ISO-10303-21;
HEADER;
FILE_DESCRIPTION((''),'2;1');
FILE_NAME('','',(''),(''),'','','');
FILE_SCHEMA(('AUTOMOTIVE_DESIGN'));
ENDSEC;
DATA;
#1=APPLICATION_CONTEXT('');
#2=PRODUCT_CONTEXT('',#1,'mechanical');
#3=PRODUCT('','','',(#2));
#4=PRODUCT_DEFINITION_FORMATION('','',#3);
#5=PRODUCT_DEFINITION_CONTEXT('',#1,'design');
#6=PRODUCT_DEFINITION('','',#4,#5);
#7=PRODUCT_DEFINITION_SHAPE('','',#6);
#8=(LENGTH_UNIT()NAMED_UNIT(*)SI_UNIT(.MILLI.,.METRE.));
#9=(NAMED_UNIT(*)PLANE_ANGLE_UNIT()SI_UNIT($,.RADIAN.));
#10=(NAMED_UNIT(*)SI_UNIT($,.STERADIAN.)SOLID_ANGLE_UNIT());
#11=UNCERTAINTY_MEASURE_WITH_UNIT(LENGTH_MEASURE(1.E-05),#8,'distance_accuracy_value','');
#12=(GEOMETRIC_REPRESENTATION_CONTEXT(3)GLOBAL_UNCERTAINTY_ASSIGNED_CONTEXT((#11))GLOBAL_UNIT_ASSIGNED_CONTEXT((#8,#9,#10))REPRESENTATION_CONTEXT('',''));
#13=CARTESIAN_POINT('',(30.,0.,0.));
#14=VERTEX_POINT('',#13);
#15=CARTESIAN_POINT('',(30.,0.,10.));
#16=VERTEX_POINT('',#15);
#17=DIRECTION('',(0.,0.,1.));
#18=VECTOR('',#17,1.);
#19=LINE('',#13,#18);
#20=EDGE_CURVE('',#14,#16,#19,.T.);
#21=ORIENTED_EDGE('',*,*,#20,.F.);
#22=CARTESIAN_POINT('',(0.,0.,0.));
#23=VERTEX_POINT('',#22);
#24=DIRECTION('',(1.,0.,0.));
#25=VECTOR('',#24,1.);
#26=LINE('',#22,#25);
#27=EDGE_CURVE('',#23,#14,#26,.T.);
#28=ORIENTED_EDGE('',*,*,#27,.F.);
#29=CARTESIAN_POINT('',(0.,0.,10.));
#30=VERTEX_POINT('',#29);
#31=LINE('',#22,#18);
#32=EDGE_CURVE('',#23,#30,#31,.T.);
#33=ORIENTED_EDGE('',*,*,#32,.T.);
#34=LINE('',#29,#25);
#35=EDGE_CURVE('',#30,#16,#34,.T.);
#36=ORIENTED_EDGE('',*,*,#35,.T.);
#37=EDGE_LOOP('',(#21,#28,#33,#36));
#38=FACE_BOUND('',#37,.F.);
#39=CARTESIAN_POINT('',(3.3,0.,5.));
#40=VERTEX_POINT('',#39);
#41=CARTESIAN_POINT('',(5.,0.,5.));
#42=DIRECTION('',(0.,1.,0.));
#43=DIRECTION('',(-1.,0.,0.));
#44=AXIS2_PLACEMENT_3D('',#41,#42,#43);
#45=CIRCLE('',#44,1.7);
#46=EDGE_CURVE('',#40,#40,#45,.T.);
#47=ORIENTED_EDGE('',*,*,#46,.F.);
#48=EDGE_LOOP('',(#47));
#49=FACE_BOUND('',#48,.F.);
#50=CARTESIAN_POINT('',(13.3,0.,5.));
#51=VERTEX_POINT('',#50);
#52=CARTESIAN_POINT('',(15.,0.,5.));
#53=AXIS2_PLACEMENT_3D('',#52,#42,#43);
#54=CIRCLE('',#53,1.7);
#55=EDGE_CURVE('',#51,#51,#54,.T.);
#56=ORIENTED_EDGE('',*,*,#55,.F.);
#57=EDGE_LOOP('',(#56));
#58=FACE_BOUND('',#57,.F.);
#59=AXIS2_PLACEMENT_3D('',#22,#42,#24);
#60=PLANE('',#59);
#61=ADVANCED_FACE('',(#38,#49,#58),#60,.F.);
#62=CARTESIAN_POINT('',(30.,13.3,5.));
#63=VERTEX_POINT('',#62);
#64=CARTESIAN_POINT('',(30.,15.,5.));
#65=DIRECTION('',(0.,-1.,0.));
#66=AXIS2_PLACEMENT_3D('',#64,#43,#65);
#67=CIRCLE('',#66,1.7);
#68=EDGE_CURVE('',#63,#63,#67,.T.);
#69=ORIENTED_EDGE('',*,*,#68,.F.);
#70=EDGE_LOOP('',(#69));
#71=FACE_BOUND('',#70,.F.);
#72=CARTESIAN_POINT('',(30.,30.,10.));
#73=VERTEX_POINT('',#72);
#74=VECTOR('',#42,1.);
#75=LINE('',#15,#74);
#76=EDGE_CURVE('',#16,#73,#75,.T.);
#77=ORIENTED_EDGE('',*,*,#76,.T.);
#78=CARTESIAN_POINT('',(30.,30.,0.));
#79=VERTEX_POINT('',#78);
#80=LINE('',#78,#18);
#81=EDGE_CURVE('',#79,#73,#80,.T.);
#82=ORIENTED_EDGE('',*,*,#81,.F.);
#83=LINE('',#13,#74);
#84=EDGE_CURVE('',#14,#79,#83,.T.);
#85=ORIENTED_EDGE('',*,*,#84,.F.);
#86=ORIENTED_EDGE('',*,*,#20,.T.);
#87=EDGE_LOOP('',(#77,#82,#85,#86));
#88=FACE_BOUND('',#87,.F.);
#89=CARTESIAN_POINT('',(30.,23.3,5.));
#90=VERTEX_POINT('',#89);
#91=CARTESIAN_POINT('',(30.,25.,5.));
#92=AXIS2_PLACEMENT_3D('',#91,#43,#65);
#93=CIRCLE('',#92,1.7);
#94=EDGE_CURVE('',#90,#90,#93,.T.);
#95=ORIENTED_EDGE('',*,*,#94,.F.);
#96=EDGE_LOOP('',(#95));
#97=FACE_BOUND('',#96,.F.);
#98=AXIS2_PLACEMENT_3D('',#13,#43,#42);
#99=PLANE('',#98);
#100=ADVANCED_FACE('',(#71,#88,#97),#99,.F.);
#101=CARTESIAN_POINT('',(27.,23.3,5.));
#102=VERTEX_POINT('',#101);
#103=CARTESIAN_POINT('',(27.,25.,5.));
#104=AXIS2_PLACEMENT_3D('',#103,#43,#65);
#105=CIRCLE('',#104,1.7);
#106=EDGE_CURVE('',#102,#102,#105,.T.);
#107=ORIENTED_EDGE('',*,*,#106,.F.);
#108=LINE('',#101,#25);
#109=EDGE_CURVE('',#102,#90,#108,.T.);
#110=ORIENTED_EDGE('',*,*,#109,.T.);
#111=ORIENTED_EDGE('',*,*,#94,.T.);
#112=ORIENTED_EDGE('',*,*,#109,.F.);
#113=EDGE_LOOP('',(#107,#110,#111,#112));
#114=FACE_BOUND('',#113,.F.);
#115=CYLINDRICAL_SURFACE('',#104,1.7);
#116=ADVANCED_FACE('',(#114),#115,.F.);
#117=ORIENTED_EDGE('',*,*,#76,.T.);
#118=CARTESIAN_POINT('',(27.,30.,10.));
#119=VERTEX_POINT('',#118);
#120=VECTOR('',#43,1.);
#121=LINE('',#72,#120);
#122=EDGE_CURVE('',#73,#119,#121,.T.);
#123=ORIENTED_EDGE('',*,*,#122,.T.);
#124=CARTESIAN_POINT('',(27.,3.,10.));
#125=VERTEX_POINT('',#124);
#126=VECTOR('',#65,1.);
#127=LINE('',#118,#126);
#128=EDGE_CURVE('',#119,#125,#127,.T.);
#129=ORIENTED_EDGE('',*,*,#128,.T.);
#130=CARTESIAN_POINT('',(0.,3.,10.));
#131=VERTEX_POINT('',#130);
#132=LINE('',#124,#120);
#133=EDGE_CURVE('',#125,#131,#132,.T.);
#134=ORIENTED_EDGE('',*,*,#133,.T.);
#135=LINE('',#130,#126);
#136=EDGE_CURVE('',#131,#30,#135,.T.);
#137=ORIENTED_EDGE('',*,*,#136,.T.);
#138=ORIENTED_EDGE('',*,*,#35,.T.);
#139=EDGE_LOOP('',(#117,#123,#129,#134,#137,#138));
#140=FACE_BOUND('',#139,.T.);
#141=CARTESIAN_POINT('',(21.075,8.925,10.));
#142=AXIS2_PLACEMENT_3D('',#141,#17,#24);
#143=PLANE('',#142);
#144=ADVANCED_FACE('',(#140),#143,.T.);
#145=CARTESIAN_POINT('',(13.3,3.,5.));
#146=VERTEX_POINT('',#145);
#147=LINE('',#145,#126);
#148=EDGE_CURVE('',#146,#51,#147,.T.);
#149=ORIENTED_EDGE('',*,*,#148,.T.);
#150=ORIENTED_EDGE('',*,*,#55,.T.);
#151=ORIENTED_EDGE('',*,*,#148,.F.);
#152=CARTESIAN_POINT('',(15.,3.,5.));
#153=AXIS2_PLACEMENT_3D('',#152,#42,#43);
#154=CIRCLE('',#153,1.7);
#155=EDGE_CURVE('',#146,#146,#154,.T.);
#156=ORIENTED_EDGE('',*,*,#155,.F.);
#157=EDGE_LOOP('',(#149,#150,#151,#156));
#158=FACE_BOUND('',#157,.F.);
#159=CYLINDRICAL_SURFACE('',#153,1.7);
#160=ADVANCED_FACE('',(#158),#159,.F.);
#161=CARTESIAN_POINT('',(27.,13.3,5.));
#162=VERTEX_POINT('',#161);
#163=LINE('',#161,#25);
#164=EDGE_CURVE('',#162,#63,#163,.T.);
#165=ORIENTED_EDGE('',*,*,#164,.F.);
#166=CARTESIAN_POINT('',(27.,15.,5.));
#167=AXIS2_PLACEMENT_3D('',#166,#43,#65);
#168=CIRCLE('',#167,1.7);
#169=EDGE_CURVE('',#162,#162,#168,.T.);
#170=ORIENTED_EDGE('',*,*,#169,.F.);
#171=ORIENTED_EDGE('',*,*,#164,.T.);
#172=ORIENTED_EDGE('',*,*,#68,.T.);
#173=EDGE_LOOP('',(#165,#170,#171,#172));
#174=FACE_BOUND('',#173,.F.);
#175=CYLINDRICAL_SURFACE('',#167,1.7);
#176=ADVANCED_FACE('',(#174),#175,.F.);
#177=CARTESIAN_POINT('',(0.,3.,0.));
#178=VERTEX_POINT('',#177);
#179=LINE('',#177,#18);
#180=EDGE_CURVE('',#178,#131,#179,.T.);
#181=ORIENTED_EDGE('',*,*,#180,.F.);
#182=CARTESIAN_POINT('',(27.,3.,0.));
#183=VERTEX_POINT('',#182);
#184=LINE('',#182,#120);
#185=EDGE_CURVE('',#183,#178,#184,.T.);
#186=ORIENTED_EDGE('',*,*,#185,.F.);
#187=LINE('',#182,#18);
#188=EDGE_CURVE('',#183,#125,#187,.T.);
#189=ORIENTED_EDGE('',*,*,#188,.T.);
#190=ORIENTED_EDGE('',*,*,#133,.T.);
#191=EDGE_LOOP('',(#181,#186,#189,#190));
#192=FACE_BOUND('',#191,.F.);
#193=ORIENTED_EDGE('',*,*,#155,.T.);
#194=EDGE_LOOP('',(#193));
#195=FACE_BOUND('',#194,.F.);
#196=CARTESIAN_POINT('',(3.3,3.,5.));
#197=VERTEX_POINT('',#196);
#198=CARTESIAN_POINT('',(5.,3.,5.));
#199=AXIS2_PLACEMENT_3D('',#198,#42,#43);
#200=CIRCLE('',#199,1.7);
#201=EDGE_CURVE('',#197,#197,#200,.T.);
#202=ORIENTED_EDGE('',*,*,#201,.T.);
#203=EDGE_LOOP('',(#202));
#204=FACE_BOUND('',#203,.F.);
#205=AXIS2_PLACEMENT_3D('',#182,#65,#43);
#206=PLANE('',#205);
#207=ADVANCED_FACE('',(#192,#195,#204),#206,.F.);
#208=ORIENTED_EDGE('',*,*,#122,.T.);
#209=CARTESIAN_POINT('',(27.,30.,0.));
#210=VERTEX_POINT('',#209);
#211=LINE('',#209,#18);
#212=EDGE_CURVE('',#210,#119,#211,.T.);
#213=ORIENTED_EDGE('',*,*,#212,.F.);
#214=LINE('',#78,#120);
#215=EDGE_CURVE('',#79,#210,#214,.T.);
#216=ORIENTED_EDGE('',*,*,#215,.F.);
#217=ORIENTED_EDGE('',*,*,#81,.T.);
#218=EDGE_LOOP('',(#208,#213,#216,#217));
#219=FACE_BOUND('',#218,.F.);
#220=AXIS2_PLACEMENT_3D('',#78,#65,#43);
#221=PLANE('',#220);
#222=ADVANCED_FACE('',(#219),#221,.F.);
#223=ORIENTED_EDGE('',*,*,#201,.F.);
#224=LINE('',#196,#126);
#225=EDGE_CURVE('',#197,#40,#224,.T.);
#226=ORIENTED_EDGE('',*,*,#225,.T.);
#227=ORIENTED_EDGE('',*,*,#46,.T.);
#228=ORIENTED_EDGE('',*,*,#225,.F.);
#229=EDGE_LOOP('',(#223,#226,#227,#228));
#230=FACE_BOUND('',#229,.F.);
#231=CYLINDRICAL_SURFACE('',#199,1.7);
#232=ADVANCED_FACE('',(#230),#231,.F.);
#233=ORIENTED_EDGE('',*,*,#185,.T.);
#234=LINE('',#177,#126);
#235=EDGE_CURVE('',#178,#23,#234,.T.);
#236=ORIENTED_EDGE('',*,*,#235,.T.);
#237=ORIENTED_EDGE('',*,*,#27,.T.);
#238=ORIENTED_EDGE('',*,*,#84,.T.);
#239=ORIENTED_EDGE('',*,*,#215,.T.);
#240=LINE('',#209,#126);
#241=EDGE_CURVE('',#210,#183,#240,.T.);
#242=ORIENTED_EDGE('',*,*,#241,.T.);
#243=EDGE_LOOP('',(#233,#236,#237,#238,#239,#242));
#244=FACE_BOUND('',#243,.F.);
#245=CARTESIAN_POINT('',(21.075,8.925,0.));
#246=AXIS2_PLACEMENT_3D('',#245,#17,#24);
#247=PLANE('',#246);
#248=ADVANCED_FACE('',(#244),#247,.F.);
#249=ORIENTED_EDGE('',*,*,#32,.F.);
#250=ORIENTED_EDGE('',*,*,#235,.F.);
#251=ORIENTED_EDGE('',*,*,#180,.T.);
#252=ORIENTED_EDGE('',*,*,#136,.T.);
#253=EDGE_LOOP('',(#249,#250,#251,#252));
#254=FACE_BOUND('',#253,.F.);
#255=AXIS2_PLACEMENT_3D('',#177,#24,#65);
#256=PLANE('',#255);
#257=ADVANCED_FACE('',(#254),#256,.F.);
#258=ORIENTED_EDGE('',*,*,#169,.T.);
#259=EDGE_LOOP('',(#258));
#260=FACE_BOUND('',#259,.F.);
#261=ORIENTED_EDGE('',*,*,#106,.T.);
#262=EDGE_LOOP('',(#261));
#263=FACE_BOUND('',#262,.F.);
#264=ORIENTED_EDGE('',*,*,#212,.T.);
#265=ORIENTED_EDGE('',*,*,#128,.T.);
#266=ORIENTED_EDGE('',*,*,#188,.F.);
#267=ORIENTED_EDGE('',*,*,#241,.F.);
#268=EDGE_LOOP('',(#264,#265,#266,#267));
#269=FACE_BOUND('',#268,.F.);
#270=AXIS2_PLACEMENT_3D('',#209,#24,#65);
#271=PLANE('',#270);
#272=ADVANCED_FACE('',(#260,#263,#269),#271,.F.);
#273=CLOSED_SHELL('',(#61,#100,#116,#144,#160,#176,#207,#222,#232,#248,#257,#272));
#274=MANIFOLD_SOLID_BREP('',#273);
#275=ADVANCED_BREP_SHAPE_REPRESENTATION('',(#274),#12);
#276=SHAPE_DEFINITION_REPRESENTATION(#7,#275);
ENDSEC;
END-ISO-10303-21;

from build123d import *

# Parameters (mm, degrees)
F1_DEPTH = 10
F3_R     = 1.7
F4_DEPTH = 25
F2_R     = 1.7
F5_DEPTH = 25


with BuildPart() as f1:
    # F0 (on Top) → F1 (new body)
    with BuildSketch(Plane.XY):
        Polygon((0, 3), (0, 0), (30, 0), (30, 30), (27, 30), (27, 3), align=None)
    extrude(amount=F1_DEPTH)

    # F3 (on face) → F4 (cut)
    with BuildSketch(Plane(origin=(27, 0, 0), x_dir=(0, -1, 0), z_dir=(-1, 0, 0))):
        with Locations((-25, 5)):
            Circle(F3_R)
        with Locations((-15, 5)):
            Circle(F3_R)
    extrude(amount=-F4_DEPTH, mode=Mode.SUBTRACT)

    # F2 (on face) → F5 (cut)
    with BuildSketch(Plane(origin=(0, 3, 0), x_dir=(-1, 0, 0), z_dir=(0, 1, 0))):
        with Locations((-15, 5)):
            Circle(F2_R)
        with Locations((-5, 5)):
            Circle(F2_R)
    extrude(amount=-F5_DEPTH, mode=Mode.SUBTRACT)


solid = f1.part
